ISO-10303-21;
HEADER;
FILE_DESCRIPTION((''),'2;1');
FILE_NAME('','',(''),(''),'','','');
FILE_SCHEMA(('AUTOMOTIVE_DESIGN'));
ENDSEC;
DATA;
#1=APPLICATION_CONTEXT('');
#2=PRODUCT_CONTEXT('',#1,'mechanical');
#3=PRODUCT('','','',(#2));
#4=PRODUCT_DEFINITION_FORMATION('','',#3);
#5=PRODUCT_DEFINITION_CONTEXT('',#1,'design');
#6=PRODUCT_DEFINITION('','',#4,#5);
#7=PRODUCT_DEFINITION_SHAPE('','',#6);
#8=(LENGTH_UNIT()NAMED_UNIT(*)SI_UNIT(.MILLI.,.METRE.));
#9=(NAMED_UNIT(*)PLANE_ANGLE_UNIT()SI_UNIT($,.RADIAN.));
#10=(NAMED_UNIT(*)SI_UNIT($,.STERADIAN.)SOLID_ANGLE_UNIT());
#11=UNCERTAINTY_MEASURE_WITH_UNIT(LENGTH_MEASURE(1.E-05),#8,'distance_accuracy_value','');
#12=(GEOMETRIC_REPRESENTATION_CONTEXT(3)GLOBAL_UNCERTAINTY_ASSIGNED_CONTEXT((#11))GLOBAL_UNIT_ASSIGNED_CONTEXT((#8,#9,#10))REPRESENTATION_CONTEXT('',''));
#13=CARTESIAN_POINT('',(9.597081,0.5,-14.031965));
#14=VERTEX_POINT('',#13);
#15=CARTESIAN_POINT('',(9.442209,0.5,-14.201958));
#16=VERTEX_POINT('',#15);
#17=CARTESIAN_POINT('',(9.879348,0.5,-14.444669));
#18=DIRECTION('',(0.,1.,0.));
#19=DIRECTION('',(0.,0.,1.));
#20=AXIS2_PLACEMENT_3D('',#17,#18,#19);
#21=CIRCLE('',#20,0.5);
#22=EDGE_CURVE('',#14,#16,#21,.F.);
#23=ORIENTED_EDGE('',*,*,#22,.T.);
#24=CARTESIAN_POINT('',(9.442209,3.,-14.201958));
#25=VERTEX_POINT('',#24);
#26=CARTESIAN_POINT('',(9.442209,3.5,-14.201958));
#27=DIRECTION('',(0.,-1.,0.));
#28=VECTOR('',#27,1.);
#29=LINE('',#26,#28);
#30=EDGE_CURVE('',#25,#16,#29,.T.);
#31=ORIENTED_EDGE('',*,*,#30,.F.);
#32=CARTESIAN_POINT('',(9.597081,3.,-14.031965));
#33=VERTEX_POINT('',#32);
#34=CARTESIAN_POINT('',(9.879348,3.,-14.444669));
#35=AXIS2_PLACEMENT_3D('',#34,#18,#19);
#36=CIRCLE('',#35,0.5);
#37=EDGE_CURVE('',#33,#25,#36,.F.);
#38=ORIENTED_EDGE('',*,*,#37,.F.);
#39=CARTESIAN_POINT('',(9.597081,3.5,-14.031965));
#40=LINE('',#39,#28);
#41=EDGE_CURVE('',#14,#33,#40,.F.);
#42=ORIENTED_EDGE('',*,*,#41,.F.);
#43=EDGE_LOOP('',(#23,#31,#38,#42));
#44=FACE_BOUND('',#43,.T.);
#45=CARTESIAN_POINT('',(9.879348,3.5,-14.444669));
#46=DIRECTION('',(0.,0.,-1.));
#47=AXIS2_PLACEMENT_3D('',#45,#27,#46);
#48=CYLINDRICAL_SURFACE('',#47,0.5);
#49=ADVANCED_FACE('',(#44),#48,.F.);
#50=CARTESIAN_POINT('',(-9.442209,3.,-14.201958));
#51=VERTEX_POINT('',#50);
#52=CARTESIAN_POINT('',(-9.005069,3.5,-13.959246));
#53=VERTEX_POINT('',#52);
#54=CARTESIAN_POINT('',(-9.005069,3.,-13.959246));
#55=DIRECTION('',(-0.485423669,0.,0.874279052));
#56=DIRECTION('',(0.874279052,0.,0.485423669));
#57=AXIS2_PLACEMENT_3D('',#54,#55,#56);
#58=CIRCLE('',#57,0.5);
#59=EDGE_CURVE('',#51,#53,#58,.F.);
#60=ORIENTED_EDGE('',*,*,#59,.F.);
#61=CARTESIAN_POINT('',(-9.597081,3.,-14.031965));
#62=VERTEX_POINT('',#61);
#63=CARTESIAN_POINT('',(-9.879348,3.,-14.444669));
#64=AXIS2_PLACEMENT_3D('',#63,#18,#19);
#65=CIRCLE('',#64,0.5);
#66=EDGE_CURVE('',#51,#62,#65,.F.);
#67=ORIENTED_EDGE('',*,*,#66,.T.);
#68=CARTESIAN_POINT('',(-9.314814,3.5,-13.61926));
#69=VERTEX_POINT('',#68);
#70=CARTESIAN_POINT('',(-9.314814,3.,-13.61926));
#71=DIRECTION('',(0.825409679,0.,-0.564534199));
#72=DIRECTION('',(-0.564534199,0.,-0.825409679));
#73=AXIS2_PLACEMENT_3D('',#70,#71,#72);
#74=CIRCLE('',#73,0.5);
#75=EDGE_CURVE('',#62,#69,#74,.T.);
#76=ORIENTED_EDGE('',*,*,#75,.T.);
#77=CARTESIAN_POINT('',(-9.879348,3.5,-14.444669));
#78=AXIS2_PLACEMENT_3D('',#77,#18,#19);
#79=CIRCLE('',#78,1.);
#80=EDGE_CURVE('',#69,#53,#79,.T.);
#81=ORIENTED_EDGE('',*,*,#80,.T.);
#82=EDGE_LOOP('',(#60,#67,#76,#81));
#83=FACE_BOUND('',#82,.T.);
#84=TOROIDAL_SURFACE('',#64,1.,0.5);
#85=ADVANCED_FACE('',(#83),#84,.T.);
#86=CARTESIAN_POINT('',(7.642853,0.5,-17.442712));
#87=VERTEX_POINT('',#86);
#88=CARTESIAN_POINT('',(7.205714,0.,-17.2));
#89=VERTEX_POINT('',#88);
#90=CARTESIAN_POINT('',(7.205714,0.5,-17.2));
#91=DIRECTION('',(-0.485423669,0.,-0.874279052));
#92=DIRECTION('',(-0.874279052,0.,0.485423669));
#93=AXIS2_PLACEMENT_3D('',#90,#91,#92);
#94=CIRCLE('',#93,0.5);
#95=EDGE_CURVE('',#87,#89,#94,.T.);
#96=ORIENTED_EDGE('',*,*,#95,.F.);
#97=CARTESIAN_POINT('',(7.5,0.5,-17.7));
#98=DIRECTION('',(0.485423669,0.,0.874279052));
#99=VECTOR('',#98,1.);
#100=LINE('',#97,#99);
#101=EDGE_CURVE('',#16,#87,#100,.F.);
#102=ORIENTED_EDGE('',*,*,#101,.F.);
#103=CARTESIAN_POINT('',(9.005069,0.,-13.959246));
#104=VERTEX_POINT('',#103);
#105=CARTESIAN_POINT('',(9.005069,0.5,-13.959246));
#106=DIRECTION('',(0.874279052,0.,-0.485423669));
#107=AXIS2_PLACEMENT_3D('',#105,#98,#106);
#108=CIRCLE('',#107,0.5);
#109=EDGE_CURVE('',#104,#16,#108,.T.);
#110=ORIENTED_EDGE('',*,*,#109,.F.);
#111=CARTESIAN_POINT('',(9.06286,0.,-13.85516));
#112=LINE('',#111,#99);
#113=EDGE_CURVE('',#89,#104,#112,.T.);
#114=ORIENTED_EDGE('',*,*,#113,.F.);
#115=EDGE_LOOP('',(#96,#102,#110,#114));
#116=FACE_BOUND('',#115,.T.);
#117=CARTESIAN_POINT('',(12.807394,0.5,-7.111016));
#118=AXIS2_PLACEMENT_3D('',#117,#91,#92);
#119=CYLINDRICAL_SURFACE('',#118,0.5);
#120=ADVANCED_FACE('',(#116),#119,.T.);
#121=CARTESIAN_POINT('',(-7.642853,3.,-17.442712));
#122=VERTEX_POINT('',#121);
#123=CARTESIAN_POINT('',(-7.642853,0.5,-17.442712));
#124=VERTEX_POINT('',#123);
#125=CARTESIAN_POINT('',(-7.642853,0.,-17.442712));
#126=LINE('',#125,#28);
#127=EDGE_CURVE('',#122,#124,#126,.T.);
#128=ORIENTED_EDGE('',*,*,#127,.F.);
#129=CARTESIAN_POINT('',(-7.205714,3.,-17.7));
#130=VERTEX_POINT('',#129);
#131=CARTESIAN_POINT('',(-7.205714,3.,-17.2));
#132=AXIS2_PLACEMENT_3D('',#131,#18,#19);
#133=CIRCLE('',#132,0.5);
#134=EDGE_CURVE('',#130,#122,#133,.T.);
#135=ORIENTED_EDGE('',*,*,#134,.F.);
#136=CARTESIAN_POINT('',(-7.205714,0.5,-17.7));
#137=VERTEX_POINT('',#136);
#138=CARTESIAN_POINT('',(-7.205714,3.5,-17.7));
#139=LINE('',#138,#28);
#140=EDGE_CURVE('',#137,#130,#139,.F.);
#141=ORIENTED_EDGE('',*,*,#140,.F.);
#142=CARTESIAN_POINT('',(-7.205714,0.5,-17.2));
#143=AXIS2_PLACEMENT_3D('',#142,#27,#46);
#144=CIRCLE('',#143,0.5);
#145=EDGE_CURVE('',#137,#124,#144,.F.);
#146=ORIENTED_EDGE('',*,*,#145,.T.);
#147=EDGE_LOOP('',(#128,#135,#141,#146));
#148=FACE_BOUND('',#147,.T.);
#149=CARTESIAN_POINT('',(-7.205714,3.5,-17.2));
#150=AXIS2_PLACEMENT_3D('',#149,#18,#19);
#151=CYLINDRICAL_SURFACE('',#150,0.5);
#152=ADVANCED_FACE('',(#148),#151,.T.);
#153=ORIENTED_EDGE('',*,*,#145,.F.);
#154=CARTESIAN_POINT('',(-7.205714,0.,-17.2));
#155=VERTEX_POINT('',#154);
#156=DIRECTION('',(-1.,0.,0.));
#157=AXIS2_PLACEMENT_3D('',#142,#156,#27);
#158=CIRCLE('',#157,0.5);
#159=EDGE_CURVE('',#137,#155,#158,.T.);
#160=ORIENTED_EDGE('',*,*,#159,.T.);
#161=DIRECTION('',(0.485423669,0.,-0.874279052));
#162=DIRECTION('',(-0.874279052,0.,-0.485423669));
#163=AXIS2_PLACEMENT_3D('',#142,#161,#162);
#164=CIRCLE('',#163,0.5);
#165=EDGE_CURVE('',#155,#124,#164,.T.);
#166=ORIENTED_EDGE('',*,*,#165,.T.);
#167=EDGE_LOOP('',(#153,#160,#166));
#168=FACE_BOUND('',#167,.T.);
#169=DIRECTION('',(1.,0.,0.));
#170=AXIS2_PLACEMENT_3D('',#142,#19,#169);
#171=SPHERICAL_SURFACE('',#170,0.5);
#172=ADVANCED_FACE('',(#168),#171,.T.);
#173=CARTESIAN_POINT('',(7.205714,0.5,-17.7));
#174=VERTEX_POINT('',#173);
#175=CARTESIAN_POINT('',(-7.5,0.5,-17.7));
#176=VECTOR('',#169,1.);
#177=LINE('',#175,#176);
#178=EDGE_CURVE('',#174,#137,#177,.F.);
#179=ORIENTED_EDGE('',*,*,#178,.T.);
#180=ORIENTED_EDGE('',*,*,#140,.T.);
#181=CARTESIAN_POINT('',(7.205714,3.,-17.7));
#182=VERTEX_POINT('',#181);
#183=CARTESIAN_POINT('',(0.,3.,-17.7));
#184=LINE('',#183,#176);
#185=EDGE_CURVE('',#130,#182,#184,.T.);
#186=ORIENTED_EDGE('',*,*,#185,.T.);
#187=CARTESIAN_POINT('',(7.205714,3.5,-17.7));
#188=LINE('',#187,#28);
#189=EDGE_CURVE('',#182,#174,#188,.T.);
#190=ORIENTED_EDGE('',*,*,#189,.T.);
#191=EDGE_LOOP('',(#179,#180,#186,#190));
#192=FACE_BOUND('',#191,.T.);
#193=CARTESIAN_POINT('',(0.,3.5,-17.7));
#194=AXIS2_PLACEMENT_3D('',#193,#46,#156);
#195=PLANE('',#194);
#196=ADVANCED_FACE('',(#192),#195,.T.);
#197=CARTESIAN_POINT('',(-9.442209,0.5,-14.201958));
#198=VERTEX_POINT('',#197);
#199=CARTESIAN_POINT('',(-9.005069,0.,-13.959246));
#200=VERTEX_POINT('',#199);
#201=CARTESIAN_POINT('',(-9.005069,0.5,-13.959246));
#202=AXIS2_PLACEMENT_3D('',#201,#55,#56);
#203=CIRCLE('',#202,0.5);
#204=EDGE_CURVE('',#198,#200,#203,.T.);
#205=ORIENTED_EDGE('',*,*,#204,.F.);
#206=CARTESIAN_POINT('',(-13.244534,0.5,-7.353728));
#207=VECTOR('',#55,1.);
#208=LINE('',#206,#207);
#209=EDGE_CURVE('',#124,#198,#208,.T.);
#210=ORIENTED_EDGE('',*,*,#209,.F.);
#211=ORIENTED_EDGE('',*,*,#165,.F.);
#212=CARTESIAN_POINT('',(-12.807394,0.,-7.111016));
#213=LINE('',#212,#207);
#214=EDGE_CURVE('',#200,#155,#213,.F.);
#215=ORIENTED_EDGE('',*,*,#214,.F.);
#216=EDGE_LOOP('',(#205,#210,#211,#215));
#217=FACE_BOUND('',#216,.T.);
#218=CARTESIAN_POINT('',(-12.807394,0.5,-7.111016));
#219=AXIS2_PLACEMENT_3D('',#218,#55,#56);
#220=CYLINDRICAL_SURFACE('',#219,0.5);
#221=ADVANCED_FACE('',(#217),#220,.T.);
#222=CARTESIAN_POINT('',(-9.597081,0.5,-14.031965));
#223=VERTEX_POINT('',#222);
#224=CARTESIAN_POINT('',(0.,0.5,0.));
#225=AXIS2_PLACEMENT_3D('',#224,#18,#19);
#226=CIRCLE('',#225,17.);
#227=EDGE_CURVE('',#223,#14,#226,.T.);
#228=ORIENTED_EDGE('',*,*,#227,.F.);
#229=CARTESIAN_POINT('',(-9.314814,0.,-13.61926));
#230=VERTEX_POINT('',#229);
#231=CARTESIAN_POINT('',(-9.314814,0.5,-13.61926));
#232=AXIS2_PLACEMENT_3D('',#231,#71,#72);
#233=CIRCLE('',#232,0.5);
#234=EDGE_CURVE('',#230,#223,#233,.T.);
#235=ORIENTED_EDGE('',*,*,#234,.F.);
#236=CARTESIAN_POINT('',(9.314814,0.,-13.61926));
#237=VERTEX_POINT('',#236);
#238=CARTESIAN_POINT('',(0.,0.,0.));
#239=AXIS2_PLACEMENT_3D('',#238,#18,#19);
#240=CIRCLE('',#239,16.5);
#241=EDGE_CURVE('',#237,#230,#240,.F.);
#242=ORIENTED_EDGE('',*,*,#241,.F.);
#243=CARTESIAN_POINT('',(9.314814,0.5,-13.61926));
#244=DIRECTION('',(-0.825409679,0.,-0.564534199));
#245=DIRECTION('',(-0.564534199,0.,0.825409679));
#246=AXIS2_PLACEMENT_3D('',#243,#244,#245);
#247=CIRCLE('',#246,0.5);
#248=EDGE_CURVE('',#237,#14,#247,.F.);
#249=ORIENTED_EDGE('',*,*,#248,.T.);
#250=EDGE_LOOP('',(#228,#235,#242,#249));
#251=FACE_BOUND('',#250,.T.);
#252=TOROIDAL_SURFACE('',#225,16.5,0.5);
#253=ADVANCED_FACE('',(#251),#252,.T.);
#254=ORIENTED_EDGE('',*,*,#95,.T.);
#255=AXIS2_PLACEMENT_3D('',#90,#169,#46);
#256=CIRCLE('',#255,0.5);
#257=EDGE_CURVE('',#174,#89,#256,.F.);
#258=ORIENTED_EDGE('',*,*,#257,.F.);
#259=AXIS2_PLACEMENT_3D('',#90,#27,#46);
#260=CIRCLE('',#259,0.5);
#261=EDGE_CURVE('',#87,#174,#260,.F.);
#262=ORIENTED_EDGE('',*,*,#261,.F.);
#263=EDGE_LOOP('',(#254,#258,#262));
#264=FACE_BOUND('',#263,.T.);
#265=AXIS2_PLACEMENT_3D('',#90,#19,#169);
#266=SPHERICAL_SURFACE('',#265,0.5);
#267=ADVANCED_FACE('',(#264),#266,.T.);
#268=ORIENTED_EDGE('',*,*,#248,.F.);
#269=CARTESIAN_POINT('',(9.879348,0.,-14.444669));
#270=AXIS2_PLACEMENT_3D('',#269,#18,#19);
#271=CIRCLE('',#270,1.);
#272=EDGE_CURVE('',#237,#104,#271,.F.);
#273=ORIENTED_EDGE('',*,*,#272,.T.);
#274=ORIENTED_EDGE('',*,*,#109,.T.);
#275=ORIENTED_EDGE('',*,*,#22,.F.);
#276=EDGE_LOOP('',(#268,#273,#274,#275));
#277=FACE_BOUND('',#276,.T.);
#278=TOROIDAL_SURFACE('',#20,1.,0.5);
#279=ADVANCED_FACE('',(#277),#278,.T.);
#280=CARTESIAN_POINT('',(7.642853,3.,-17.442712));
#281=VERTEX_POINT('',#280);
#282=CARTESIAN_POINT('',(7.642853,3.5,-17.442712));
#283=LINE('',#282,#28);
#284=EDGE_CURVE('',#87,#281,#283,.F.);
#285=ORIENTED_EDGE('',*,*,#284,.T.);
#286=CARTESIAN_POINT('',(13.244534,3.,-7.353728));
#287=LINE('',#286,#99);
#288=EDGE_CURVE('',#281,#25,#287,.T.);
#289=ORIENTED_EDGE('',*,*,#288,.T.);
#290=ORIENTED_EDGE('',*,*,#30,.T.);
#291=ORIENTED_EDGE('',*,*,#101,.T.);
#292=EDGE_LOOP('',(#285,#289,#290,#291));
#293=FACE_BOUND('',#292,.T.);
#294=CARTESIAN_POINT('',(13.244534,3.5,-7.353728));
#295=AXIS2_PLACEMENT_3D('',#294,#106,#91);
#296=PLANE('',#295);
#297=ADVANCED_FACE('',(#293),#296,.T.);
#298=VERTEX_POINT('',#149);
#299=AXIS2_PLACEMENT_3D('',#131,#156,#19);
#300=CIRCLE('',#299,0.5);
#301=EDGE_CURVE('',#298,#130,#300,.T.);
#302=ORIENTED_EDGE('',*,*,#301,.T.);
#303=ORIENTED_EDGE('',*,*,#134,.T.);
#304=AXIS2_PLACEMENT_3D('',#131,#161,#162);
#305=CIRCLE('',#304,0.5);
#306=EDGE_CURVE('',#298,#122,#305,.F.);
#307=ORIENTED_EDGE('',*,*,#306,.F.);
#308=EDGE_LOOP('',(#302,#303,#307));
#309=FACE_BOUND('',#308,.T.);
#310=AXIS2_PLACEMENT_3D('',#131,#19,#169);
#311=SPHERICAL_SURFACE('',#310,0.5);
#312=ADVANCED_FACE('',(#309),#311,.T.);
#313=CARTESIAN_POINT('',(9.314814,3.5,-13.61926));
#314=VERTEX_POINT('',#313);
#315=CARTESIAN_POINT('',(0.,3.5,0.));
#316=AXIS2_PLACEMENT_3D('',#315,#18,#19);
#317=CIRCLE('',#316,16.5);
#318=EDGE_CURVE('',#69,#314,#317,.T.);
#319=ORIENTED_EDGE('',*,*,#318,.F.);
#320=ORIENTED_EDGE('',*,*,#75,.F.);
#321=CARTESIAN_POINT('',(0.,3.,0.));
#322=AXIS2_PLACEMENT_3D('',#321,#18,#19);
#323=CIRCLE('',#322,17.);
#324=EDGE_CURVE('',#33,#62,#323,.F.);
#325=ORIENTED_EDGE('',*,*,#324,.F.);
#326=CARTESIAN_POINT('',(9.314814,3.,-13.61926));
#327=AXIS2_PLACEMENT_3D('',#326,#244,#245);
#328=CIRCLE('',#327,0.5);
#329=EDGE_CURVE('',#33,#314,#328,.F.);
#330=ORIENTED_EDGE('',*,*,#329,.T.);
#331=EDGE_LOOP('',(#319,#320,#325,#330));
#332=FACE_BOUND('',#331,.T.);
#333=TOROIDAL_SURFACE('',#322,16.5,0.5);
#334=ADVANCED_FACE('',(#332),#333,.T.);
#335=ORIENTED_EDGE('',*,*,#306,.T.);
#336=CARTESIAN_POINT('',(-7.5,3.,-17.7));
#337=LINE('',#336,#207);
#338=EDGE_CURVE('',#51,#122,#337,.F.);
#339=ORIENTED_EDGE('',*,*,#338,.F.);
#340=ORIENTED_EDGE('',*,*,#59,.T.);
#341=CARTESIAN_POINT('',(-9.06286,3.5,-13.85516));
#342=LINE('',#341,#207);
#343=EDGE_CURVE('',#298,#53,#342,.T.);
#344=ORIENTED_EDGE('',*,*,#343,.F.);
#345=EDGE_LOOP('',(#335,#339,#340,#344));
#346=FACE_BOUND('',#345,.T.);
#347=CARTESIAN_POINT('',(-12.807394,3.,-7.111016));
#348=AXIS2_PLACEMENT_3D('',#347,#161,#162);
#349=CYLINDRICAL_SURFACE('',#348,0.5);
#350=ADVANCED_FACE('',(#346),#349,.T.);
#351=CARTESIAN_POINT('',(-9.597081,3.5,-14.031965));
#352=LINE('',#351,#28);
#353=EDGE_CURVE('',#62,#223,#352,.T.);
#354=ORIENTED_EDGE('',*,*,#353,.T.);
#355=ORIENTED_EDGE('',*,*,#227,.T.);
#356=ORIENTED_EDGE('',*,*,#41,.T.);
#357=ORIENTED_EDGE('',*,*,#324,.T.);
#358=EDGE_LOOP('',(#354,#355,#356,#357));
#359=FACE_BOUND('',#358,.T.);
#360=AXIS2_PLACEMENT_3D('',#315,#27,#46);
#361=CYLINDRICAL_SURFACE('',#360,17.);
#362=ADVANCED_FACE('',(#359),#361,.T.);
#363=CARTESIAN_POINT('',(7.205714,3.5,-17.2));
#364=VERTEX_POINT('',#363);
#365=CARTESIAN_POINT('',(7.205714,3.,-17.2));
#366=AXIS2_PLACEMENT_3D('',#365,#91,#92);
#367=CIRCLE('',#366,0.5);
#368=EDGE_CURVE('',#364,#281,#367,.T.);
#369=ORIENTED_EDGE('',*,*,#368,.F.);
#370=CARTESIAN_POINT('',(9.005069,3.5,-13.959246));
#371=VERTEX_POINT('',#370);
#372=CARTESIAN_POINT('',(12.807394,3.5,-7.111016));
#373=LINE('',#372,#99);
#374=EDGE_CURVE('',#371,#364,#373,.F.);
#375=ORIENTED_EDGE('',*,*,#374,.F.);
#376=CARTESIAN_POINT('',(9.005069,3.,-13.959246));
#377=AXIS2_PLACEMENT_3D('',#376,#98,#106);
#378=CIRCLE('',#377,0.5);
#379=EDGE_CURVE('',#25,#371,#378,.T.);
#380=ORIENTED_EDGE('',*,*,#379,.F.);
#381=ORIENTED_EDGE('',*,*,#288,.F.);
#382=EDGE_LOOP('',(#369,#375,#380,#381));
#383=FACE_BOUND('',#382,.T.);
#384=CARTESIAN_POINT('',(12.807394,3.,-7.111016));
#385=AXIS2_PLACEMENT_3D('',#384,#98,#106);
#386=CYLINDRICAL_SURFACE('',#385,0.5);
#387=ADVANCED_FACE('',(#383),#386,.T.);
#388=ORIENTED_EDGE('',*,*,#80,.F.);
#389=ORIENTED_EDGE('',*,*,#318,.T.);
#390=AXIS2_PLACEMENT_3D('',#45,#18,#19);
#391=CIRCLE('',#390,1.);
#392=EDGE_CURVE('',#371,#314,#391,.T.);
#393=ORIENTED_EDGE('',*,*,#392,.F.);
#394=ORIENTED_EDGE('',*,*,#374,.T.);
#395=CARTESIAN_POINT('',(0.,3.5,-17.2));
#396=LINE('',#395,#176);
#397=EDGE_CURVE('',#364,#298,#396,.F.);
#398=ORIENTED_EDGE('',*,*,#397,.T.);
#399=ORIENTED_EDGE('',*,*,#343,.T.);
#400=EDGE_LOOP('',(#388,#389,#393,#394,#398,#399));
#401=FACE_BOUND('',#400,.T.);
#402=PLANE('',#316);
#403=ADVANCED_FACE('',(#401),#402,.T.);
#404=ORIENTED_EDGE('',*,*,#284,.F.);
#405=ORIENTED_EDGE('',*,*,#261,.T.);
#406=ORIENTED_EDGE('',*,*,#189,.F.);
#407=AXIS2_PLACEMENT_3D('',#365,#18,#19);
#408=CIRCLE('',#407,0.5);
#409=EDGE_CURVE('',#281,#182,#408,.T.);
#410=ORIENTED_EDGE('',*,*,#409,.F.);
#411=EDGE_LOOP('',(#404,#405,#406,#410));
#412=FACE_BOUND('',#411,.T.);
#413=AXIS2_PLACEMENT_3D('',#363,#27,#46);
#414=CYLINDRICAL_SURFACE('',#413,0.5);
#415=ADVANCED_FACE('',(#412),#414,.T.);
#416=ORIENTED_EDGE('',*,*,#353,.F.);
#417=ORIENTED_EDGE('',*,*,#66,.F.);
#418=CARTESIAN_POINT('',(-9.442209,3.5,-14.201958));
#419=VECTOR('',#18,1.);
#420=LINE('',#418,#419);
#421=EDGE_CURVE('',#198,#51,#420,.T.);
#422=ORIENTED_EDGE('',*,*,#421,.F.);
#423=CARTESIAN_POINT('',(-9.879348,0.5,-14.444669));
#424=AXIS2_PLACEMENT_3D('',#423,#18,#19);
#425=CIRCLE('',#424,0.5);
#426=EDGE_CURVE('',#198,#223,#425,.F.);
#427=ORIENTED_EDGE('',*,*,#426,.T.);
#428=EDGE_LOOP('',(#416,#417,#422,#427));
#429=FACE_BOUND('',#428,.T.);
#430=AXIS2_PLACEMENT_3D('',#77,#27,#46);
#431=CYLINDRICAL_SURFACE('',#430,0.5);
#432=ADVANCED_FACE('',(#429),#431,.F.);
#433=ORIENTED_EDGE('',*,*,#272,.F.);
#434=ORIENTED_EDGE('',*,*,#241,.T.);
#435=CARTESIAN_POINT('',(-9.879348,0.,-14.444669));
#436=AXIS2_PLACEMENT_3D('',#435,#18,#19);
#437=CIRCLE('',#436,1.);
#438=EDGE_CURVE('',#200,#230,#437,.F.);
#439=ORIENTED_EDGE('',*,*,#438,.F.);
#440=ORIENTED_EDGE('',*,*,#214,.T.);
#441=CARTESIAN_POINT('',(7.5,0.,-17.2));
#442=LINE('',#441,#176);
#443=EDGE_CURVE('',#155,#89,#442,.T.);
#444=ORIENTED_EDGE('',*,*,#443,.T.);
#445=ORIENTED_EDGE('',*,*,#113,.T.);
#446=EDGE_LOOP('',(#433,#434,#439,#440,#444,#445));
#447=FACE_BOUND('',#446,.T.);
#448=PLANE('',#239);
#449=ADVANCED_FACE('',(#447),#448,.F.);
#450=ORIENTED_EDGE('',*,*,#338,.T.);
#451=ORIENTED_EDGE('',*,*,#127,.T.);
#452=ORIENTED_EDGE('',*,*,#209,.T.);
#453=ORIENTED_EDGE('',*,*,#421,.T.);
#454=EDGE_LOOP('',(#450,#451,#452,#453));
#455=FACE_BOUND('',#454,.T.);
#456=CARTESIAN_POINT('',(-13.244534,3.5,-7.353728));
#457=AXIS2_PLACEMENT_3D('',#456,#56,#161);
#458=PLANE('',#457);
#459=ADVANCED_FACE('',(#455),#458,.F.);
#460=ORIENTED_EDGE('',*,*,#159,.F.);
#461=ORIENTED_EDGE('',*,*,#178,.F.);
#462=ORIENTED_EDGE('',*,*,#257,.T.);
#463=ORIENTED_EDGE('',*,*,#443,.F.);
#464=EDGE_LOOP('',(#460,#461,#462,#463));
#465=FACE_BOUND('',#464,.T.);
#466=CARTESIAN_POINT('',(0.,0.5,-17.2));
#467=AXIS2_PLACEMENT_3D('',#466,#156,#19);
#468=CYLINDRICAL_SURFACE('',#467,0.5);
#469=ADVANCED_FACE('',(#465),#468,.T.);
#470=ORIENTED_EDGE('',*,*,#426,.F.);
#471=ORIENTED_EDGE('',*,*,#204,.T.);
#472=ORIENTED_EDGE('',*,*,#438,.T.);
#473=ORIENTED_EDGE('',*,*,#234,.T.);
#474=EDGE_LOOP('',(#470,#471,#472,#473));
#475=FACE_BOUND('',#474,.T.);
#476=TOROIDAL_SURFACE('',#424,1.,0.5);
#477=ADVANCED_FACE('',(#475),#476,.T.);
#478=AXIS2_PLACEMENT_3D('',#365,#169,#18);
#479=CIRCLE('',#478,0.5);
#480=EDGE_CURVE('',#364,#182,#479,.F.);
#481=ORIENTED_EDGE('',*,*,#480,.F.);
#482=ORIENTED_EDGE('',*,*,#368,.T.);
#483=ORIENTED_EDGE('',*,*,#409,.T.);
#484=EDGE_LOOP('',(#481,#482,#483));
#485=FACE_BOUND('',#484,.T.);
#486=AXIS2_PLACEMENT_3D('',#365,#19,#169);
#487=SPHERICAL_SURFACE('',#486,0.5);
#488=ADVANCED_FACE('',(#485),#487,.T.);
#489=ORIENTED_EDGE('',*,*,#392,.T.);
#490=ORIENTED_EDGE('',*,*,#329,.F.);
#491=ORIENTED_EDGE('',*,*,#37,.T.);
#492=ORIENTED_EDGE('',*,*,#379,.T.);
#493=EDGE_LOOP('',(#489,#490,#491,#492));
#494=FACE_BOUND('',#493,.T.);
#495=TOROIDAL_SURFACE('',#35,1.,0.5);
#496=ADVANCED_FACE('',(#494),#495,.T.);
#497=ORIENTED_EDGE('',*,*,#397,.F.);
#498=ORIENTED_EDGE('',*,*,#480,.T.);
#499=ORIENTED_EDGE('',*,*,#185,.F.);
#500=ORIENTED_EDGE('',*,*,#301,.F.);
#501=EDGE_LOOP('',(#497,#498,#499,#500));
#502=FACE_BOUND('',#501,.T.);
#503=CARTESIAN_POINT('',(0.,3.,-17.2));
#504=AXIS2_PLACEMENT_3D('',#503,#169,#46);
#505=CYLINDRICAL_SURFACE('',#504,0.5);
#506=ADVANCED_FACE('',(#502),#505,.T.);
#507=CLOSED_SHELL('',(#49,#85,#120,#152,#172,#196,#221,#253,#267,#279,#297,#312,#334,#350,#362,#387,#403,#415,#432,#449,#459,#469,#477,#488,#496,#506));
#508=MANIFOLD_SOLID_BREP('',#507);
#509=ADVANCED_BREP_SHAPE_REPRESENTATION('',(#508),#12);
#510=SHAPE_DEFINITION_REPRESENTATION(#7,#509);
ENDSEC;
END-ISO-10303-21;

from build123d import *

# Parameters (mm, degrees)
SKETCH1_R           = 17
BOSS_EXTRUDE1_DEPTH = 3.5
FILLET1_R           = 0.5


with BuildPart() as part:
    # Sketch1 → Boss-Extrude1 (new body)
    with BuildSketch(Plane(origin=(0, 0, 0), x_dir=(1, 0, 0), z_dir=(0, 1, 0))):
        Circle(SKETCH1_R)
        with BuildLine():
            Line((7.5, 17.7), (-7.5, 17.7))
            Line((-7.5, 17.7), (-9.5, 14.09787218))
            ThreePointArc((-9.5, 14.09787218), (0, 17), (9.5, 14.09787218))
            Line((9.5, 14.09787218), (7.5, 17.7))
        make_face()
    extrude(amount=BOSS_EXTRUDE1_DEPTH)

    # Fillet1
    fillet1_edges = [part.edges().sort_by_distance(p)[0] for p in [
        (0, 3.5, -17.7),
        (-8.5, 3.5, -15.89893609),
        (0, 3.5, 17),
        (-8.5, 0, -15.89893609),
        (0, 0, -17.7),
        (8.5, 0, -15.89893609),
        (0, 0, 17),
        (8.5, 3.5, -15.89893609),
        (-9.5, 1.75, -14.09787218),
        (-7.5, 1.75, -17.7),
        (7.5, 1.75, -17.7),
        (9.5, 1.75, -14.09787218),
    ]]
    fillet(fillet1_edges, radius=FILLET1_R)


solid = part.part
